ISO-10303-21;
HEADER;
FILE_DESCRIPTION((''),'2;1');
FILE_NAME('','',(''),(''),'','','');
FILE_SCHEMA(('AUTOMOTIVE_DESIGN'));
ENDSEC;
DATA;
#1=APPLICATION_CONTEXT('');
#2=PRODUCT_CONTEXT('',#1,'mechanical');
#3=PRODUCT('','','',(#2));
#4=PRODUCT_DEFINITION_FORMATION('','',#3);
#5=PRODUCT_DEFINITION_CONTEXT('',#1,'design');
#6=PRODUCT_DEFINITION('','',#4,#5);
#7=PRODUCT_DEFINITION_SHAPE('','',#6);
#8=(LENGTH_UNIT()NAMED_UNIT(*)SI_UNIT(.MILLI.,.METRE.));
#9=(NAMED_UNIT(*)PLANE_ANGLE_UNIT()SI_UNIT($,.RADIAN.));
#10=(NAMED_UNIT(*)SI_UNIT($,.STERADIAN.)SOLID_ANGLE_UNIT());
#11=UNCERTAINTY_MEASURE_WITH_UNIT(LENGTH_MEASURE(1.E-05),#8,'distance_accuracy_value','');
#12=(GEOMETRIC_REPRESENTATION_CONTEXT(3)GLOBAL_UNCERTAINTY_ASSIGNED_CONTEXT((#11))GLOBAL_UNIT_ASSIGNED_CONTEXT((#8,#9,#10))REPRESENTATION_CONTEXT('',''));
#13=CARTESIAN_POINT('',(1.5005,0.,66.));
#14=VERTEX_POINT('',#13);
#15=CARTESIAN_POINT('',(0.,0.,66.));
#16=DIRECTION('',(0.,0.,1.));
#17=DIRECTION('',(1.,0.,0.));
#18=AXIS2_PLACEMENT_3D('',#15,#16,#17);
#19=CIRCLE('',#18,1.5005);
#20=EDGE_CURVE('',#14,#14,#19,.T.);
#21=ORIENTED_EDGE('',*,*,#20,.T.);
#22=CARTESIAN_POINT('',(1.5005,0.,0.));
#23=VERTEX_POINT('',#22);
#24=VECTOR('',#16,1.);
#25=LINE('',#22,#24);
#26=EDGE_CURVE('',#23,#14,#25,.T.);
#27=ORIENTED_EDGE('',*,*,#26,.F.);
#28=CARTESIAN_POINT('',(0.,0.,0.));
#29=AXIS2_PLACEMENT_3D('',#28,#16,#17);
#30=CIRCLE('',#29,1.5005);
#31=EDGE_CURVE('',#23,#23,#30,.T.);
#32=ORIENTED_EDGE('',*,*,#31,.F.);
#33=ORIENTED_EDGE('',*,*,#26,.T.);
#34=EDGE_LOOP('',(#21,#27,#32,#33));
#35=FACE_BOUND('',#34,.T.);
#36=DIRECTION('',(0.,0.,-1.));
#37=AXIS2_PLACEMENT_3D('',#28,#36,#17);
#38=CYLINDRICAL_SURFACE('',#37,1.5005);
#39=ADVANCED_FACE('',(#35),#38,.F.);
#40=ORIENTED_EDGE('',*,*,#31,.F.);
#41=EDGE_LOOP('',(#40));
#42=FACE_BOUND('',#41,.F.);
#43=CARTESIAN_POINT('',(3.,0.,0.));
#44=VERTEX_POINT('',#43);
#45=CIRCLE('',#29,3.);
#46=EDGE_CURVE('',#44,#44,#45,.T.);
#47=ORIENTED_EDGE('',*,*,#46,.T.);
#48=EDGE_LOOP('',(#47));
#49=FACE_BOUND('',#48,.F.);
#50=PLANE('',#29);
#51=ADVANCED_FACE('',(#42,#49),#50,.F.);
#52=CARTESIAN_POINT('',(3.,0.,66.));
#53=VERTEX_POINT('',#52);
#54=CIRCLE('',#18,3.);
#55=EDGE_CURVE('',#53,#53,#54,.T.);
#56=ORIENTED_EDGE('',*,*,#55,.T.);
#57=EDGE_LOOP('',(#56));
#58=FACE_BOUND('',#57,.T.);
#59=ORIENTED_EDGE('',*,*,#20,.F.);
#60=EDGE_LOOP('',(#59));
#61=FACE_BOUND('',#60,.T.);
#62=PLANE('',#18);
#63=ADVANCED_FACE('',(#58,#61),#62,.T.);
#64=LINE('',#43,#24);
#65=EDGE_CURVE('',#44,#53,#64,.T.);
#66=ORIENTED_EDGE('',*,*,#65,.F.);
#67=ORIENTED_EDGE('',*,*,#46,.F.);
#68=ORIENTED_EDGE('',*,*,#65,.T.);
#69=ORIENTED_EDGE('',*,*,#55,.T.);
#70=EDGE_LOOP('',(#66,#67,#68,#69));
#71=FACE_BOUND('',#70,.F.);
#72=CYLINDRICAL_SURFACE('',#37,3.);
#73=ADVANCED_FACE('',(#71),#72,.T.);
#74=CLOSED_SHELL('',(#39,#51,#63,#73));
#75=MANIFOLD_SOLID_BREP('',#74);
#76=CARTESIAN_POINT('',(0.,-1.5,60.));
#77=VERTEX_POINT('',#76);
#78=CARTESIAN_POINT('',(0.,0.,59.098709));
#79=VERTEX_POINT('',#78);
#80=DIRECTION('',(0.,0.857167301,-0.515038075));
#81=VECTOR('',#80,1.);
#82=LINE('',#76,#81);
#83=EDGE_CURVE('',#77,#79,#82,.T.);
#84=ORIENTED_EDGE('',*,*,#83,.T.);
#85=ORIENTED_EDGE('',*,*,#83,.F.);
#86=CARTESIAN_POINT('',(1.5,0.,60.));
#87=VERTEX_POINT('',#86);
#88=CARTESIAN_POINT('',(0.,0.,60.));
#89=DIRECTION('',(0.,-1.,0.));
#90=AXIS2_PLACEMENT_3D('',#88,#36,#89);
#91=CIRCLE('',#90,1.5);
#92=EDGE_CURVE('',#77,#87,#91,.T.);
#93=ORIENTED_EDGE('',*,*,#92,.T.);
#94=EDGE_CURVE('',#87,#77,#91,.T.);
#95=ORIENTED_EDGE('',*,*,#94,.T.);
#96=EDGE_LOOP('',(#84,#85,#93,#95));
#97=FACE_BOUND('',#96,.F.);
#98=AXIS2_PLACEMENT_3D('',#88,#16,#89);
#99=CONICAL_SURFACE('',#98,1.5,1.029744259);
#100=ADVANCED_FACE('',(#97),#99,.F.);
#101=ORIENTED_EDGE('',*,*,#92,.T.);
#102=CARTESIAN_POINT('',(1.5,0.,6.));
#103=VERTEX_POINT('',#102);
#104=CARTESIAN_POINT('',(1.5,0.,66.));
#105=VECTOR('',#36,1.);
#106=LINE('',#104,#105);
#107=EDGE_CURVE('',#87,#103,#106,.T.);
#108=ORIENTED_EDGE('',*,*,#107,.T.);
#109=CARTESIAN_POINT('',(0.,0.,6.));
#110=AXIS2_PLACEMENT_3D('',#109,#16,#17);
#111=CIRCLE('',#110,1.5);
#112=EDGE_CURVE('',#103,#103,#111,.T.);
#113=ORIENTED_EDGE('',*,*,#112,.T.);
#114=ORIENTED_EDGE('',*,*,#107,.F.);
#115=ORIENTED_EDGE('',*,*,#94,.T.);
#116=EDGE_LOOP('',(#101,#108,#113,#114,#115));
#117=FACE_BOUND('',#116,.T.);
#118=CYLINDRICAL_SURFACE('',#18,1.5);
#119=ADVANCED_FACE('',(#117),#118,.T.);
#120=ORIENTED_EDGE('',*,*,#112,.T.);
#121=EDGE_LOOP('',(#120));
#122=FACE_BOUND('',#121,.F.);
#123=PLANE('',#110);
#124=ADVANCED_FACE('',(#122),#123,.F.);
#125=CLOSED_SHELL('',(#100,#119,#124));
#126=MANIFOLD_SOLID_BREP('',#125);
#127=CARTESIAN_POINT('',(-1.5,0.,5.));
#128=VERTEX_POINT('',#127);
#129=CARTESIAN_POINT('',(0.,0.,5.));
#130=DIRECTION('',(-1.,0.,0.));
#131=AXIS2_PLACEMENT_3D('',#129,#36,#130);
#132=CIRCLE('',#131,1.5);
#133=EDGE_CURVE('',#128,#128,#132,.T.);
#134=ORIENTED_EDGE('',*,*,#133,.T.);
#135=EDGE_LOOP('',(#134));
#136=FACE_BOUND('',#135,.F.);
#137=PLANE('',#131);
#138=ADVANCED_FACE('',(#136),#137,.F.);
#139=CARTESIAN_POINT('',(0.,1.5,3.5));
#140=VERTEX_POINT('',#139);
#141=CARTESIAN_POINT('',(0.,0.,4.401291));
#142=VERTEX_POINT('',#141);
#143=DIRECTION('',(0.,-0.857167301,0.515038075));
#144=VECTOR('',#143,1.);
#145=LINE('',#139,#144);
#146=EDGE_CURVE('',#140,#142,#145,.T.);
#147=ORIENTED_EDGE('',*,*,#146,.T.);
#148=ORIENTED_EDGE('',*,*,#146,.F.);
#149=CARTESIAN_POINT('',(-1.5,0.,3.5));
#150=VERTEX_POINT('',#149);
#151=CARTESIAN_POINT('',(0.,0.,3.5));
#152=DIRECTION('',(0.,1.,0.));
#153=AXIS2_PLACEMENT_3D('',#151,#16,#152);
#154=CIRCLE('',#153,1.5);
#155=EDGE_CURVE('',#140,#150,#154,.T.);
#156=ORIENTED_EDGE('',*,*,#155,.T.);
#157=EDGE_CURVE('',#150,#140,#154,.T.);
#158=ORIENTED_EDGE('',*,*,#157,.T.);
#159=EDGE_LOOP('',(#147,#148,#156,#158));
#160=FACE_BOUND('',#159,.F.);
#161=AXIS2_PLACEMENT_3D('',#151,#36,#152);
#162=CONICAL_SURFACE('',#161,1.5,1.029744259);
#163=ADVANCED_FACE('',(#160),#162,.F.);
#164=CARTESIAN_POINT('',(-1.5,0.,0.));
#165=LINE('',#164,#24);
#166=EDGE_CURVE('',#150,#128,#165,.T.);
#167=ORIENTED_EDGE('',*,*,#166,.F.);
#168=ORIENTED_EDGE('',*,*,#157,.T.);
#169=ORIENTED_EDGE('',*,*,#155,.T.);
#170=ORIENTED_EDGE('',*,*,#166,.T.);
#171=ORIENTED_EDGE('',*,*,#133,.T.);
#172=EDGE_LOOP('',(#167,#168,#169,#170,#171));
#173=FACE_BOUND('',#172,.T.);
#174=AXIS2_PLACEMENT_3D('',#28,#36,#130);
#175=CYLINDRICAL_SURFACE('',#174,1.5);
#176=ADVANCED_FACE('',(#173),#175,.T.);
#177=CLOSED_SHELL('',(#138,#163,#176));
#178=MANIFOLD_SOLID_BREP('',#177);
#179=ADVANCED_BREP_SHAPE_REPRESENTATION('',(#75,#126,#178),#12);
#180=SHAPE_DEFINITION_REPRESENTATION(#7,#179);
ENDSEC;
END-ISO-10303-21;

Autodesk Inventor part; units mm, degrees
ref_plane "YZ Plane" through (0, 0, 0) normal (1, 0, 0) x (0, 1, 0)
ref_plane "XZ Plane" through (0, 0, 0) normal (0, 1, 0) x (-1, 0, 0)
ref_plane "XY Plane" through (0, 0, 0) normal (0, 0, 1) x (1, 0, 0)
sketch "スケッチ1" plane through (0, 0, 0) normal (0, 0, 1) x (1, 0, 0)
  circle A0 centre (0, 0) radius 3
  circle A1 centre (0, 0) radius 1.5005
  dimension "d0" = 6
  dimension "d1" = 3.001
extrude "押し出し1" add sketch "スケッチ1" along normal blind 66
sketch "スケッチ2" plane through (0, 0, 66) normal (0, 0, 1) x (1, 0, 0)
  circle A0 centre (0, 0) radius 1.5
  dimension "d4" = 3
extrude "押し出し2" add sketch "スケッチ2" against normal blind 60
hole "穴1" at (0, 0, 66) direction (0, 0, -1) diameter 3 depth 6 tip angle 118
sketch "スケッチ3" plane through (0, 0, 0) normal (0, 0, -1) x (-1, 0, 0)
  circle A0 centre (0, 0) radius 1.5 projected
  circle A1 centre (0, 0) radius 1.5
  dimension "d14" = 3
extrude "押し出し3" add sketch "スケッチ3" against normal blind 5
hole "穴2" at (0, 0, 0) direction (0, 0, 1) diameter 3 depth 3.5 tip angle 118
properties part number "スペーサーm3-65　簡易筒型" material "アルミニウム 2014-T4"
